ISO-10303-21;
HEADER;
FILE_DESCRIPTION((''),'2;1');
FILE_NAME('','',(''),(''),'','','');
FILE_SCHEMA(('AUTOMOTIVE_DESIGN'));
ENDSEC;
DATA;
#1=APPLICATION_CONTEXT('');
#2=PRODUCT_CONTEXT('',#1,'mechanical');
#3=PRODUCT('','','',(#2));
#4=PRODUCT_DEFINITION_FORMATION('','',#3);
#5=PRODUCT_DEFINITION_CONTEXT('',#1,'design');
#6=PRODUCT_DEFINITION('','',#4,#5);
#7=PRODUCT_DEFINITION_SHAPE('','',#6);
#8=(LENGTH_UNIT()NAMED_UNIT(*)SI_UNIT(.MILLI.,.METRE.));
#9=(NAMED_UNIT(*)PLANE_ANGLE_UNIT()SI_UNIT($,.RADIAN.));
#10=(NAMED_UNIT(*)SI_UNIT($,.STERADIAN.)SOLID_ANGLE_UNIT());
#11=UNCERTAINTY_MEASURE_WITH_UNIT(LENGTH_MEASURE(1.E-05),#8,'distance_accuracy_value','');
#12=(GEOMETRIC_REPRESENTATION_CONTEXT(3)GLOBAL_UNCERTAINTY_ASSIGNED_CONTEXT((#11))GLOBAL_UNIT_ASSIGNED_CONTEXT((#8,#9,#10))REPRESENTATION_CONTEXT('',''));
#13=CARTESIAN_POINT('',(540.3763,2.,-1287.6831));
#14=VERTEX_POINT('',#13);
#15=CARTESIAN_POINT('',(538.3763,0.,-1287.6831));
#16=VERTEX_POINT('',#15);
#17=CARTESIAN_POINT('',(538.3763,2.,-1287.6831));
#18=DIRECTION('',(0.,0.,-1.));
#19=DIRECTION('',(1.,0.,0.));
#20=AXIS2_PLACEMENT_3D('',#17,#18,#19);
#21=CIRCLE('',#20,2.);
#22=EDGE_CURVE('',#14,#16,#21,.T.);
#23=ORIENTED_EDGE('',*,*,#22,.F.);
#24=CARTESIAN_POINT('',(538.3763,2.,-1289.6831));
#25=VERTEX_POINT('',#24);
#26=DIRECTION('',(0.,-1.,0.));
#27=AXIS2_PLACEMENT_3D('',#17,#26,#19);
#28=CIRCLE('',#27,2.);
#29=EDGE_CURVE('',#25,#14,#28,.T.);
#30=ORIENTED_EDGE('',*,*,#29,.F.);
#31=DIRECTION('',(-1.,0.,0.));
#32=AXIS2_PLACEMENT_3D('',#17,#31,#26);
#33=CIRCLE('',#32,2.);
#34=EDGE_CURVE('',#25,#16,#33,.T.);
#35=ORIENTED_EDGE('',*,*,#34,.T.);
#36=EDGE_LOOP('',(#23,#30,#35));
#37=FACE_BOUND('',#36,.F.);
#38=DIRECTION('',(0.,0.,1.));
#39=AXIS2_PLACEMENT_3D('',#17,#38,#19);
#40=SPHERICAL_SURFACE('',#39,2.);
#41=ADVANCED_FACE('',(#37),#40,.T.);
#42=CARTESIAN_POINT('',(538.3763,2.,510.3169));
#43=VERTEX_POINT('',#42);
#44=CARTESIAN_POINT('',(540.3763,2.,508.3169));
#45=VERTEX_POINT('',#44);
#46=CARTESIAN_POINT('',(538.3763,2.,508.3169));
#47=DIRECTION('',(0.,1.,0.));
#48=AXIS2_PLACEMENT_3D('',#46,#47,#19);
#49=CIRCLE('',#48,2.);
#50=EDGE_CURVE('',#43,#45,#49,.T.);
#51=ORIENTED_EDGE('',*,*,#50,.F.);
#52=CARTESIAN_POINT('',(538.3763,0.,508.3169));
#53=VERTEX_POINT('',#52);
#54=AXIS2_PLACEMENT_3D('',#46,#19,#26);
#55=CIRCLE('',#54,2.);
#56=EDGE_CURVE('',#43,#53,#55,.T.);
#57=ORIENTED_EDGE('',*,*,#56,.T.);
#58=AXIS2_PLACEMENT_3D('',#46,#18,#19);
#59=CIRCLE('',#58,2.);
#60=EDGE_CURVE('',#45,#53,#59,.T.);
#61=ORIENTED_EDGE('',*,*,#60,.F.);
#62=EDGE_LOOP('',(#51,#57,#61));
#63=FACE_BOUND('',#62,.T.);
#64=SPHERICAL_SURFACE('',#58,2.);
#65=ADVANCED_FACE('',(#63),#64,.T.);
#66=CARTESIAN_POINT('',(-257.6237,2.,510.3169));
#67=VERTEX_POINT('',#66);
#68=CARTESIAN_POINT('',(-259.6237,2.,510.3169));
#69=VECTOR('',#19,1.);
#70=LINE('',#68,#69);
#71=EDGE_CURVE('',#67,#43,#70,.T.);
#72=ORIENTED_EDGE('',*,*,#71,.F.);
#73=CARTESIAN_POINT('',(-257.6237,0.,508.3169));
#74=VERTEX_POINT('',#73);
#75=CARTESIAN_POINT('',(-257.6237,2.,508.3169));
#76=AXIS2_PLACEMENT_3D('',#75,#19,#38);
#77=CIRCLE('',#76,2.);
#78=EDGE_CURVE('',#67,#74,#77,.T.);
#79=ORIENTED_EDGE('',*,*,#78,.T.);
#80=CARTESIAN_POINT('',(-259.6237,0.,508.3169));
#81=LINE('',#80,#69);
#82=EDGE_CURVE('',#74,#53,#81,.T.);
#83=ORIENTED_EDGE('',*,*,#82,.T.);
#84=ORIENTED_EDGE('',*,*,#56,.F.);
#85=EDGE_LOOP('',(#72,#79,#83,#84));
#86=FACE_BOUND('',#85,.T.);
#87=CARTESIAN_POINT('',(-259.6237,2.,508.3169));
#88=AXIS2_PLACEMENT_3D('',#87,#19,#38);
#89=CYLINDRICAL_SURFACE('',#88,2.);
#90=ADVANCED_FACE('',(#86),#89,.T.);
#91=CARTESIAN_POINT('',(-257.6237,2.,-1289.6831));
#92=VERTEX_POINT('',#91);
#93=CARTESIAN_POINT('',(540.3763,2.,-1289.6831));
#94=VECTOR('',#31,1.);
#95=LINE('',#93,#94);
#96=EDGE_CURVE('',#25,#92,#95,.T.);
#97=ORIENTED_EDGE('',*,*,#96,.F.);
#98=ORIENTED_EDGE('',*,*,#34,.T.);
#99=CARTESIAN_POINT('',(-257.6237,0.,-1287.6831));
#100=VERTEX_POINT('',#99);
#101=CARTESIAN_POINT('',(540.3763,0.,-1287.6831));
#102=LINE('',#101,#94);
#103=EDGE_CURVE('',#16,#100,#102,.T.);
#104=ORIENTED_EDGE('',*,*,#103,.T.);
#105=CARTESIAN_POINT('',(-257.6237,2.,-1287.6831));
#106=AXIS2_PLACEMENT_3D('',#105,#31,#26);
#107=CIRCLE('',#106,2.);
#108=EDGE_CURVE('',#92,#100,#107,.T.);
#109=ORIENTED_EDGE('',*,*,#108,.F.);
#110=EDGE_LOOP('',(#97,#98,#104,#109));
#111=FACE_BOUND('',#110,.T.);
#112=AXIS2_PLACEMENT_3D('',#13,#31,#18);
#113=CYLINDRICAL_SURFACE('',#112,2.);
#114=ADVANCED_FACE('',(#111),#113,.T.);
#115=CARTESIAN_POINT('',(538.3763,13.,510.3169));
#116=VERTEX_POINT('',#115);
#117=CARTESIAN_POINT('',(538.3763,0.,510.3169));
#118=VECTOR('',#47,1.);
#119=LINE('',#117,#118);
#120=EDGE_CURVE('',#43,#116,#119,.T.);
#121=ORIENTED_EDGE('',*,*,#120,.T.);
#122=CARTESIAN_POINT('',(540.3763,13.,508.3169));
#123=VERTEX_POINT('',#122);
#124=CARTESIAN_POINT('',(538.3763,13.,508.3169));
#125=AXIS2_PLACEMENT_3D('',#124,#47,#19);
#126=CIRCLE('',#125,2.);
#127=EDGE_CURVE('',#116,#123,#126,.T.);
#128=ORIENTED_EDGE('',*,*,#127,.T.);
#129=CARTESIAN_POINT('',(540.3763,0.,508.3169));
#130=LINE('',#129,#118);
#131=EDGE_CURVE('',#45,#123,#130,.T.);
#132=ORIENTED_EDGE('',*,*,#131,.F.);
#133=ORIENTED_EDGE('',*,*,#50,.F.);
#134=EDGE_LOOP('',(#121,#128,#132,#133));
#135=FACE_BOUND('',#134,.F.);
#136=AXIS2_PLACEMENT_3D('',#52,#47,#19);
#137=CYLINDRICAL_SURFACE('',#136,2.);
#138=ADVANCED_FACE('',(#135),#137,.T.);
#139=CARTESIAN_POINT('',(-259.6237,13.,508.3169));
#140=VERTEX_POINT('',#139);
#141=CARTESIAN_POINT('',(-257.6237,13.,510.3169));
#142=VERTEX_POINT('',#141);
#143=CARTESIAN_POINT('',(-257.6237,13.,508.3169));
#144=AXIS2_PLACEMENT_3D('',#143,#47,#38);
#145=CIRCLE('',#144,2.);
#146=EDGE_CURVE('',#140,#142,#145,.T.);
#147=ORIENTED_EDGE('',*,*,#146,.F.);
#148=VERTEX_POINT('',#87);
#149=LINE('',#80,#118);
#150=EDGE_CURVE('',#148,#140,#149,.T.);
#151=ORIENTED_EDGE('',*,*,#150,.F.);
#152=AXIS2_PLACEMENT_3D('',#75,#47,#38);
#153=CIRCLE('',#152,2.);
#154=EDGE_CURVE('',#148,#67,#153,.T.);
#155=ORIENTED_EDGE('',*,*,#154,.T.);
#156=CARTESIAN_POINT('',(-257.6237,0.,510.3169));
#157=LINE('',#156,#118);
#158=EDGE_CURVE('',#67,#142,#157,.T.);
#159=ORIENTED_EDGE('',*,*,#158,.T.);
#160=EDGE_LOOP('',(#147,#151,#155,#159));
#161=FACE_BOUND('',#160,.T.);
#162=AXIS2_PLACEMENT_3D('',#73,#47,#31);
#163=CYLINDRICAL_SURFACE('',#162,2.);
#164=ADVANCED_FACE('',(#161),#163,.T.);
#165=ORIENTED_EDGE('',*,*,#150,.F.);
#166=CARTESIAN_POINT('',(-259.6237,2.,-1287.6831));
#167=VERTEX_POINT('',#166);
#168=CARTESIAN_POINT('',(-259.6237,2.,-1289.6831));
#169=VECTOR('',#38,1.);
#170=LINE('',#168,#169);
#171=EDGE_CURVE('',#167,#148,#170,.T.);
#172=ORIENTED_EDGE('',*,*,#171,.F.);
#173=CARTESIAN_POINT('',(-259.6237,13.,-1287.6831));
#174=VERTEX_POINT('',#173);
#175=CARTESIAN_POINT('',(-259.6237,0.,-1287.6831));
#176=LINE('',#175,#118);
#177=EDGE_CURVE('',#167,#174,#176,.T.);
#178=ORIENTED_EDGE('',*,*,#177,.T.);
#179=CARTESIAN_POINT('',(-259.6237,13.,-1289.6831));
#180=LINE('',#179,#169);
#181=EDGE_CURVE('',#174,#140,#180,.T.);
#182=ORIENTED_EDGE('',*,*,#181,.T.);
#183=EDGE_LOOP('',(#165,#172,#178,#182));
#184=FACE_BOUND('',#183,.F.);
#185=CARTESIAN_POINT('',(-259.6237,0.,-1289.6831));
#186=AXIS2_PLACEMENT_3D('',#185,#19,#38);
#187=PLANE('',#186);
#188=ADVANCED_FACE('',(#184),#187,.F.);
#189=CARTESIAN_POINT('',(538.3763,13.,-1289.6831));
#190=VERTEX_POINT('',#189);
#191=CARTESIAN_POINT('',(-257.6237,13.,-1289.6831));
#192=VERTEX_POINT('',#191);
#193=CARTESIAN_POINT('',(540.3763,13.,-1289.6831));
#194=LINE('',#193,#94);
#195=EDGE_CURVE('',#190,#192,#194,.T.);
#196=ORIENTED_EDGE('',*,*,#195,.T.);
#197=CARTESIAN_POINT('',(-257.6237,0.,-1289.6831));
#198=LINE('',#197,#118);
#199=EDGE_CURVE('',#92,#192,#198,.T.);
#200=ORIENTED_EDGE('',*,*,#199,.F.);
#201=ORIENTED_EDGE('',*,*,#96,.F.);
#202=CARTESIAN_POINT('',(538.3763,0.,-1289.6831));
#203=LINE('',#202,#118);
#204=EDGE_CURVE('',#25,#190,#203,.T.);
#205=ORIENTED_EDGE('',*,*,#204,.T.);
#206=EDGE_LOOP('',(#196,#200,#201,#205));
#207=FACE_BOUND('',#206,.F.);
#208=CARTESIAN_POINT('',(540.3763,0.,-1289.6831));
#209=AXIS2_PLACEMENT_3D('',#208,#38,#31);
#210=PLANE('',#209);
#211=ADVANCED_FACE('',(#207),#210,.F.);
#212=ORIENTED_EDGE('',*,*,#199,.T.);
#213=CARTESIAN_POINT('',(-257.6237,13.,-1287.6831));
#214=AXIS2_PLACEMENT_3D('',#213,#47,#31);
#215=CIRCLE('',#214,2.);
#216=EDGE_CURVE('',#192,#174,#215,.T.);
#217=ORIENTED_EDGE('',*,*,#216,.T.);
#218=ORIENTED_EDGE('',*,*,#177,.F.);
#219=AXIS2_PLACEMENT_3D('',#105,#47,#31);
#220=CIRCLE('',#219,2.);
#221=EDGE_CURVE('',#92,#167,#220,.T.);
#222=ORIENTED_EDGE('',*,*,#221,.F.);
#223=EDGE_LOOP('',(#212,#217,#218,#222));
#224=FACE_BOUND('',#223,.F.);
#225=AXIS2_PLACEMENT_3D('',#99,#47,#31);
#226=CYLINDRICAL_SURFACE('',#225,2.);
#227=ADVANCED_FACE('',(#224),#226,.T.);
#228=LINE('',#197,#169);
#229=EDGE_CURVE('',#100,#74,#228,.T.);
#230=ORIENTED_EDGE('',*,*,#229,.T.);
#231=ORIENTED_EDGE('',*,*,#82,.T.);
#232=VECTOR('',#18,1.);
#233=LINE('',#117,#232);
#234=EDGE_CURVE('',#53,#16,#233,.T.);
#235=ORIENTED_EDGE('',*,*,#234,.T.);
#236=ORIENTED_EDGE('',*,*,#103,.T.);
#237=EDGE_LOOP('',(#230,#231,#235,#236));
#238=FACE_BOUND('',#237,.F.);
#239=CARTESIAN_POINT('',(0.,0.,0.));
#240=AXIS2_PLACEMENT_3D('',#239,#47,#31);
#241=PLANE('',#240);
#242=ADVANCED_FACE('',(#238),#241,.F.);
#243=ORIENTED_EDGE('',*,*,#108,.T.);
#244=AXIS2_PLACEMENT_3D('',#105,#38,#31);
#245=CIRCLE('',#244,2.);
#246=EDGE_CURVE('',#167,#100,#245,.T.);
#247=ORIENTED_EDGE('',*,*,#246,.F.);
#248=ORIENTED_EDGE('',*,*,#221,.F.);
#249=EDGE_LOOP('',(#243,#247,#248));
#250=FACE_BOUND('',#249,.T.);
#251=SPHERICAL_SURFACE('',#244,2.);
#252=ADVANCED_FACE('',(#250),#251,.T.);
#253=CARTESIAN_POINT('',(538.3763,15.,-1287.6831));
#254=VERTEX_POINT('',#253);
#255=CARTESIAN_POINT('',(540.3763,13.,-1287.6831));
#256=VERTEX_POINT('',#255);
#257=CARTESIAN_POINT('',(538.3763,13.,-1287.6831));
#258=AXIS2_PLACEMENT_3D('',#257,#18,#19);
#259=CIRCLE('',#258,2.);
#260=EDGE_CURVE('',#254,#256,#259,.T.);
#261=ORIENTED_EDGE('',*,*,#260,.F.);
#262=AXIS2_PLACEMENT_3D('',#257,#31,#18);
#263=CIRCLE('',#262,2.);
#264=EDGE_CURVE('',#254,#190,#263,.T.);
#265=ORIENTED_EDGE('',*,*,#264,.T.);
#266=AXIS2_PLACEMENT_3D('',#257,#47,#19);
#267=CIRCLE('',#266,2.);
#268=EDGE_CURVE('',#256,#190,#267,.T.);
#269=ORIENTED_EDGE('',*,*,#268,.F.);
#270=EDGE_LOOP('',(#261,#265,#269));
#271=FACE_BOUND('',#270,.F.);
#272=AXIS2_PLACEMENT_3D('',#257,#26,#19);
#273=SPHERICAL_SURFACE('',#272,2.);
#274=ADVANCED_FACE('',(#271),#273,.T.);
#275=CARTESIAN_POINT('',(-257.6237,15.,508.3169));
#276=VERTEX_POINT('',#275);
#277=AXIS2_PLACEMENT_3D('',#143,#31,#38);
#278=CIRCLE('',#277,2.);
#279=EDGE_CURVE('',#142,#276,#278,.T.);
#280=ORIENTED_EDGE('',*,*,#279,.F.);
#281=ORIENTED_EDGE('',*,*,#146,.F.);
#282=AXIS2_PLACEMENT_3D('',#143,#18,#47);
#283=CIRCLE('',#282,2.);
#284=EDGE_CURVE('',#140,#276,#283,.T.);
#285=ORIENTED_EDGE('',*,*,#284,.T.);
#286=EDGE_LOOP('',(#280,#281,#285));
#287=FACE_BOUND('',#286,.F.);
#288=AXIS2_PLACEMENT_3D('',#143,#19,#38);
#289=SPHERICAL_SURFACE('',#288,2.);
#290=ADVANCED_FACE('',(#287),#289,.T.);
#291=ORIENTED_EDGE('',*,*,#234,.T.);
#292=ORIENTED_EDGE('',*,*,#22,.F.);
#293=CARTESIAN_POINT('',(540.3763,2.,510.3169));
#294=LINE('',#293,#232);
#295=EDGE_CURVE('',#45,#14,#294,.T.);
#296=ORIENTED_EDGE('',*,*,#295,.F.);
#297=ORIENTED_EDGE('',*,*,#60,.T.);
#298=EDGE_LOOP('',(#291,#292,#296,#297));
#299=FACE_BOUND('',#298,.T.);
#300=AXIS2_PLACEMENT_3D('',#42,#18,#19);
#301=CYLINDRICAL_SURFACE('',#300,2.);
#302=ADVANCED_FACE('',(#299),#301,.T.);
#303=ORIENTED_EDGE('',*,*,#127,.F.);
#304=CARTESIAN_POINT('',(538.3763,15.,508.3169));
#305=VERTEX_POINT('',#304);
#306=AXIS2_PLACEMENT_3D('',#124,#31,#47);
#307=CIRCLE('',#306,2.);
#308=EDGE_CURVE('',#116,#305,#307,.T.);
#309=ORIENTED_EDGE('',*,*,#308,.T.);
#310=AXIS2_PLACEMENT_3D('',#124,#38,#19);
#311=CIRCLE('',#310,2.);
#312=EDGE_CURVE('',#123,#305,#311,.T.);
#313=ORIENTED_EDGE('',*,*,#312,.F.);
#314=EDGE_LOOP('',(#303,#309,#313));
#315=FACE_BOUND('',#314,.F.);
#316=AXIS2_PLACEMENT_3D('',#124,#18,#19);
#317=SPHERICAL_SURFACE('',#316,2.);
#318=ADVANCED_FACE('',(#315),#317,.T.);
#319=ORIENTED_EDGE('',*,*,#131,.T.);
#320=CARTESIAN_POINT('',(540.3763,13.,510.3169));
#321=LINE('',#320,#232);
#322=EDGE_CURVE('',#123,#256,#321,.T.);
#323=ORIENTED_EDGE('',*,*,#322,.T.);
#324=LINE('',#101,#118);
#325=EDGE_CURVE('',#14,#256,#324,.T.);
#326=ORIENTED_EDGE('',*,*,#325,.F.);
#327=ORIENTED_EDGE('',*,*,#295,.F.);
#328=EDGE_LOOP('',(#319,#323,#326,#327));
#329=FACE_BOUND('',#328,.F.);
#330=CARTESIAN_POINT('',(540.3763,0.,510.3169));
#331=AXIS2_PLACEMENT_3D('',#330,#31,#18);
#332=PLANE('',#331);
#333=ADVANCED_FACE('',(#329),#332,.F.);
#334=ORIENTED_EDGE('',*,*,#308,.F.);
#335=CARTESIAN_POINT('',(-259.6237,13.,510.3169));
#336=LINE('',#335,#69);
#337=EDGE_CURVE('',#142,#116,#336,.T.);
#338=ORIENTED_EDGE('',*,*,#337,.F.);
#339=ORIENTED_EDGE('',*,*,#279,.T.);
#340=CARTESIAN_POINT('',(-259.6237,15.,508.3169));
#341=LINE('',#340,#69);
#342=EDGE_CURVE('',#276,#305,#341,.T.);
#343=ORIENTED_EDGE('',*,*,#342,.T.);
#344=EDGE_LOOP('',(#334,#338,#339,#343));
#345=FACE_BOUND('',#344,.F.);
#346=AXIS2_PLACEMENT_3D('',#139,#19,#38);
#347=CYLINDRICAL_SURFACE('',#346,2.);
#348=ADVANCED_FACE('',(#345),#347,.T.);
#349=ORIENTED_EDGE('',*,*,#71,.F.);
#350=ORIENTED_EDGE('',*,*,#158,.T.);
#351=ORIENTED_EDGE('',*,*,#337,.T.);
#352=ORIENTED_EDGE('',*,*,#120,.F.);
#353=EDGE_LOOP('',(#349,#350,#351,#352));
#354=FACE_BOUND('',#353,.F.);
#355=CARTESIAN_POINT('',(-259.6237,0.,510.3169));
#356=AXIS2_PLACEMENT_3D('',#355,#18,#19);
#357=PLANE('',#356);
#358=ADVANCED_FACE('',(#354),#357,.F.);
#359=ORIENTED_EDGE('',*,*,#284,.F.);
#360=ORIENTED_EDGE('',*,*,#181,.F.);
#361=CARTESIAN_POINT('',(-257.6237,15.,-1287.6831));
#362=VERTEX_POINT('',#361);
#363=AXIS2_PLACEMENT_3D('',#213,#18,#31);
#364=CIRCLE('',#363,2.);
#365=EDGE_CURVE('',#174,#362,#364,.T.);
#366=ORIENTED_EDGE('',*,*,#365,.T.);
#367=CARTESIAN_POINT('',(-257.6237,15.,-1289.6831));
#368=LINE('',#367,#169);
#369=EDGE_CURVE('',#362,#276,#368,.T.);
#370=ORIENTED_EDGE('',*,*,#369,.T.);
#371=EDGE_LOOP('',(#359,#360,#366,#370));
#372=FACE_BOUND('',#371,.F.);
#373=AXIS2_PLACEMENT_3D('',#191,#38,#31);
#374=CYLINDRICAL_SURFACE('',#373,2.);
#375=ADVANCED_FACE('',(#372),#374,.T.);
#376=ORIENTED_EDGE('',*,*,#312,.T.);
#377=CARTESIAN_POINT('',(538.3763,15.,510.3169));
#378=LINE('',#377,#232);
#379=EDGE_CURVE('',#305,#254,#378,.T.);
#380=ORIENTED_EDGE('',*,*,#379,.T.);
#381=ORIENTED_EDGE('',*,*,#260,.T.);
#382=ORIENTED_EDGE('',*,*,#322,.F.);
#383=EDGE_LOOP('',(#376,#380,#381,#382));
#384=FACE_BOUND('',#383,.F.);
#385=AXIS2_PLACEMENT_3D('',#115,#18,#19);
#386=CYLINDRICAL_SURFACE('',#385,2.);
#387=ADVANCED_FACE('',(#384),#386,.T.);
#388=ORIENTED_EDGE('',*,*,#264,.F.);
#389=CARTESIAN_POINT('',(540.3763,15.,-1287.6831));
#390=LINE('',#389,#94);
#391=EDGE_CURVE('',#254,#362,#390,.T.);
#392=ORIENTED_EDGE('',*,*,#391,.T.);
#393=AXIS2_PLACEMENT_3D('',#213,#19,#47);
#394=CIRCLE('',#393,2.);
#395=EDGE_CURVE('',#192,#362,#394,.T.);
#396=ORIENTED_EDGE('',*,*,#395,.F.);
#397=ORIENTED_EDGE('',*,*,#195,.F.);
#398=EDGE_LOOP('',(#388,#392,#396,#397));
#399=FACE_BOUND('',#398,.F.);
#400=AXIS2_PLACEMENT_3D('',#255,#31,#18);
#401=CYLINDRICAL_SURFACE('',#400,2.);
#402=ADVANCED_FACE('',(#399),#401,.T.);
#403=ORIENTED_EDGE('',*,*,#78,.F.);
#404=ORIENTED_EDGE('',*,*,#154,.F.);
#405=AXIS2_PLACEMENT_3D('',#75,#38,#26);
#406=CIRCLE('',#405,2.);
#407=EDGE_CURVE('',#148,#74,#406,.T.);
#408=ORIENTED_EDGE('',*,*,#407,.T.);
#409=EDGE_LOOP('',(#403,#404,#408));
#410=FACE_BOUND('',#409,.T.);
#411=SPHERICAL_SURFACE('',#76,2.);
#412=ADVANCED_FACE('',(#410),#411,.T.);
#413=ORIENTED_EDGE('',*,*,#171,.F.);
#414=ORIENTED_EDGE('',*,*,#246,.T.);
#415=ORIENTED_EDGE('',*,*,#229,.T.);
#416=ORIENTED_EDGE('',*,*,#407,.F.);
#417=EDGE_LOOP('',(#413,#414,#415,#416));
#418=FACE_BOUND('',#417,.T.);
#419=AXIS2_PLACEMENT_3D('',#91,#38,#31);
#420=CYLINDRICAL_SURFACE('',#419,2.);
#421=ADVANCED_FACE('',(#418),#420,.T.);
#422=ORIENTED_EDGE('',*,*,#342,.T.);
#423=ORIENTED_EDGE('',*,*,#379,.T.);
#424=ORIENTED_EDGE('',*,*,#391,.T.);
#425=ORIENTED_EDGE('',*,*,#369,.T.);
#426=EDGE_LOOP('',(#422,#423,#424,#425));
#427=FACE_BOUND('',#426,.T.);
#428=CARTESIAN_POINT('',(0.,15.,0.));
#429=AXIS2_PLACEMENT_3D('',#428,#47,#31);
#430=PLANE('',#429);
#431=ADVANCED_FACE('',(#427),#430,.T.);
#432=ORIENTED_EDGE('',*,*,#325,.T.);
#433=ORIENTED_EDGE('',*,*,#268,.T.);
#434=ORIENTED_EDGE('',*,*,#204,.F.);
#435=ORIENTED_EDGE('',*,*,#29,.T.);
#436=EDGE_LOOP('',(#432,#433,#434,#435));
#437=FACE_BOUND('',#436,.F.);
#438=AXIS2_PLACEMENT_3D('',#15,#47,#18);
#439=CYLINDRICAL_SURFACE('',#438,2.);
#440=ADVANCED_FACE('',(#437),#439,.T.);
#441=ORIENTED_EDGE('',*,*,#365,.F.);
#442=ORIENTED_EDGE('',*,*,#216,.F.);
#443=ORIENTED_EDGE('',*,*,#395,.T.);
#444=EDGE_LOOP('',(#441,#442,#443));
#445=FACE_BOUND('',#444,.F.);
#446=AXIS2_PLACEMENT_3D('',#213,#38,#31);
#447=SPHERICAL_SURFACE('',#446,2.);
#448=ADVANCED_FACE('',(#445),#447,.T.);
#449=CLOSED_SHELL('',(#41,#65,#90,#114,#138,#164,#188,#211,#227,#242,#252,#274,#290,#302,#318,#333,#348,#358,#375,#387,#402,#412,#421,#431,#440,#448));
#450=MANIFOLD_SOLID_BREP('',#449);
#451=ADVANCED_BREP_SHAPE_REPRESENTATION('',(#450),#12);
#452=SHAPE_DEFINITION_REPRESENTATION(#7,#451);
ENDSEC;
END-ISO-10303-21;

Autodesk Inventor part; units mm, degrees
ref_plane "YZ Plane" through (0, 0, 0) normal (1, 0, 0) x (0, 1, 0)
ref_plane "XZ Plane" through (0, 0, 0) normal (0, 1, 0) x (-1, 0, 0)
ref_plane "XY Plane" through (0, 0, 0) normal (0, 0, 1) x (1, 0, 0)
sketch "Sketch1" plane through (0, 0, 0) normal (0, 1, 0) x (-1, 0, 0)
  line L0 (259.6237, 510.3169) -> (-540.3763, 510.3169)
  line L1 (-540.3763, 510.3169) -> (-540.3763, -1289.6831)
  line L2 (-540.3763, -1289.6831) -> (259.6237, -1289.6831)
  line L3 (259.6237, -1289.6831) -> (259.6237, 510.3169)
  point P0 (0, 0)
  dimension "d0" = 1800
  dimension "d1" = 800
extrude "Extrusion1" add sketch "Sketch1" along normal blind 15
fillet "Fillet1" radius 2 12 edges at (540.3763, 0, -389.6831) (540.3763, 7.5, -1289.6831) (540.3763, 15, -389.6831) (540.3763, 7.5, 510.3169) (140.3763, 0, 510.3169) (140.3763, 15, 510.3169) (-259.6237, 7.5, 510.3169) (-259.6237, 0, -389.6831) (-259.6237, 15, -389.6831) (-259.6237, 7.5, -1289.6831) (140.3763, 0, -1289.6831) (140.3763, 15, -1289.6831)
properties part number "table" material "Wood (Birch)"
